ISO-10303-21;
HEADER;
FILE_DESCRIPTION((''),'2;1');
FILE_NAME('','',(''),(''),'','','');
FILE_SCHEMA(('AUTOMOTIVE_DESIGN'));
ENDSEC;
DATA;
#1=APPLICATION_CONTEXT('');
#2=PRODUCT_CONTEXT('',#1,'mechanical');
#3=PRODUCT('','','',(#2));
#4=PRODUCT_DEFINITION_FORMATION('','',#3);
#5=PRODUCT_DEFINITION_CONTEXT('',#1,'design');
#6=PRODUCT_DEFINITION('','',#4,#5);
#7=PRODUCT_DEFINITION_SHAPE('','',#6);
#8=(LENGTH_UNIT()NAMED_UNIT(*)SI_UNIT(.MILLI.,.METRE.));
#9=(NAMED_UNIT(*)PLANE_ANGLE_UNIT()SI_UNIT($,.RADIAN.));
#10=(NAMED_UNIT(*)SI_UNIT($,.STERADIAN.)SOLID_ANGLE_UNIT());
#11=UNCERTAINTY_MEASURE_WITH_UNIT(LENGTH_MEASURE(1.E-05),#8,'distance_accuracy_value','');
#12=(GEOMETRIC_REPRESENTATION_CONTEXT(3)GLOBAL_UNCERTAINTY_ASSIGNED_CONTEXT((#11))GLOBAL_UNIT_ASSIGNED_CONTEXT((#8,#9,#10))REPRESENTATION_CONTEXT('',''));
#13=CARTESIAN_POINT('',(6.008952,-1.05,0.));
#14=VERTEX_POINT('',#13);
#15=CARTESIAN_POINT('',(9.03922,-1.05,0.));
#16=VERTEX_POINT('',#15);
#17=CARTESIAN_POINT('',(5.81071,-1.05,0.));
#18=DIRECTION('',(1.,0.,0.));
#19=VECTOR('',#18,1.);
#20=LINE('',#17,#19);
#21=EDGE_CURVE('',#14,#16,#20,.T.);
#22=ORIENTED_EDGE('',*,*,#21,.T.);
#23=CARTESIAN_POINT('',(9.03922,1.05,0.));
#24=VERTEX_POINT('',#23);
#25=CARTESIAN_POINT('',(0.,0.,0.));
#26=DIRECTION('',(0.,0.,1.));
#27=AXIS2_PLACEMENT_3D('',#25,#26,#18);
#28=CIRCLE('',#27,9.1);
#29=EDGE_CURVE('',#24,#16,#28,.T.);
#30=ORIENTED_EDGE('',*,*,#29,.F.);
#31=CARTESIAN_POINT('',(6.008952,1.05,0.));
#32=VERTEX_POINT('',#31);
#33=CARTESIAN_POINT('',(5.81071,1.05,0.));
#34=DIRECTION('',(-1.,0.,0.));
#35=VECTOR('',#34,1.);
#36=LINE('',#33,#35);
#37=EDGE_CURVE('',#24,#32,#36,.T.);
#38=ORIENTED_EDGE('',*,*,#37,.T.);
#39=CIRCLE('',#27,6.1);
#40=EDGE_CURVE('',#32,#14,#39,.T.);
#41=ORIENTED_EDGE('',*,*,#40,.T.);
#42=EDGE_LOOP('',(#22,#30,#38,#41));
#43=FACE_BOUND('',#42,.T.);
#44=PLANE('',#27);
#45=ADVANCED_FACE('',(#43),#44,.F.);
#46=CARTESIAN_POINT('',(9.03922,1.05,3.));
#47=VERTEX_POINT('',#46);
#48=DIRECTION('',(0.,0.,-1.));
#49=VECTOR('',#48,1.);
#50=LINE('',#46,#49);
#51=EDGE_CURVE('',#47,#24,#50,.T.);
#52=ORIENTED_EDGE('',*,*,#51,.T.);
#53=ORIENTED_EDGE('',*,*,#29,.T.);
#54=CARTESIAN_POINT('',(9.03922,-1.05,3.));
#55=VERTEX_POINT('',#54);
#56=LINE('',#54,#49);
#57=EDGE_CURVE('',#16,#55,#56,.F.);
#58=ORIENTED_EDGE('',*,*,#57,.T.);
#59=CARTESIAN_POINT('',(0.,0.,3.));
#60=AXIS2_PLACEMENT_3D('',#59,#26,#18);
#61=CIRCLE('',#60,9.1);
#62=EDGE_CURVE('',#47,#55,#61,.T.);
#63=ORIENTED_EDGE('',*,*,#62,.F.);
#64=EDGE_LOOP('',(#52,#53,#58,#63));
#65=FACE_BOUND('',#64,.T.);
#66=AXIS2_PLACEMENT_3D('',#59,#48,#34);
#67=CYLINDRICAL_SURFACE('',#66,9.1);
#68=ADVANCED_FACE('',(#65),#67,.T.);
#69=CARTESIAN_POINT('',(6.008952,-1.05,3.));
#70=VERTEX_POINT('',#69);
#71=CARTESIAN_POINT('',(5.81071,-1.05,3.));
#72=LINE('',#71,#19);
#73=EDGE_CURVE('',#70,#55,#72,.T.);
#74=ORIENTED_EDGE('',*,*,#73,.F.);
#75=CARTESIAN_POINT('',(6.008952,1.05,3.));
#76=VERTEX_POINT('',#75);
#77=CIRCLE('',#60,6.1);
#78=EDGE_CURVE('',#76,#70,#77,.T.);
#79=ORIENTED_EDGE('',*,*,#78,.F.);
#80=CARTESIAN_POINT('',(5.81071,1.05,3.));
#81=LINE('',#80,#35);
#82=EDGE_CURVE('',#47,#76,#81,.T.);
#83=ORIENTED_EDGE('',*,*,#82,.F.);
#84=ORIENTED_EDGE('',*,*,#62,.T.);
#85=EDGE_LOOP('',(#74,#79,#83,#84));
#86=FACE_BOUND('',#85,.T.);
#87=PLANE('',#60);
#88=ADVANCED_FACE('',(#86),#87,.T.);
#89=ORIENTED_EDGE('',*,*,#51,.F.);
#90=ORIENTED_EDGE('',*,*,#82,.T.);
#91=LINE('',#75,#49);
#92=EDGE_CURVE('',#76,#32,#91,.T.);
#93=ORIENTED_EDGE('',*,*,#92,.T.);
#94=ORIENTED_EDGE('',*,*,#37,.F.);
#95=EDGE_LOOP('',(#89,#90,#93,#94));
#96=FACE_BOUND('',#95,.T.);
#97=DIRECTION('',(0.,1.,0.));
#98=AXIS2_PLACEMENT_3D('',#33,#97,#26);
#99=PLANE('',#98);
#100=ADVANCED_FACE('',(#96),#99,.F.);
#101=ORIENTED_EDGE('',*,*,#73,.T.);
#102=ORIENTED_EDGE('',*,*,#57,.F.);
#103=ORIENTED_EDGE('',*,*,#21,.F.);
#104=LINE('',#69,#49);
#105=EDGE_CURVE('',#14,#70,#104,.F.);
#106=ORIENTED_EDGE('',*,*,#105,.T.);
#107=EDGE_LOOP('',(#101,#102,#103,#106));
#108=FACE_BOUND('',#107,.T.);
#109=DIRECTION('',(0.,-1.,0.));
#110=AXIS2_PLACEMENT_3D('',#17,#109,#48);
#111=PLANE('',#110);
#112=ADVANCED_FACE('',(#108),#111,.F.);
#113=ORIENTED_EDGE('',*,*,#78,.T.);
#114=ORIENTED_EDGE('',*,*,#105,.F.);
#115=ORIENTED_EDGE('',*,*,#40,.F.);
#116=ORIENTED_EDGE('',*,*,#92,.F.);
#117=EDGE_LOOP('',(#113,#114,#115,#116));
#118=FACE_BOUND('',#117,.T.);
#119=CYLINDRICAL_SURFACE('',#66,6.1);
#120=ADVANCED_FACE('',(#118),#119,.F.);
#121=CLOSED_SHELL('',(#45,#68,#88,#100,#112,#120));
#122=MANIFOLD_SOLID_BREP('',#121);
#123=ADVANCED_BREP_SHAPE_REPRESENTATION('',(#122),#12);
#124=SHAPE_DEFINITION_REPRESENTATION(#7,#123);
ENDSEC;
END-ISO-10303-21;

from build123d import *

# Parameters (mm, degrees)
SKETCH_1_R          = 9.1
SKETCH_1_R_2        = 6.1
EXTRUDE_1_DEPTH     = 3
SKETCH_2_W          = 3.469576293
SKETCH_2_H          = 2.1
CUT_EXTRUDE_1_DEPTH = 14.2143861


with BuildPart() as part:
    # Эскиз1 → Вытянуть1 (new body)
    with BuildSketch(Plane.XY):
        Circle(SKETCH_1_R)
        Circle(SKETCH_1_R_2, mode=Mode.SUBTRACT)
    extrude(amount=EXTRUDE_1_DEPTH)

    # Эскиз2 → Вырез-Вытянуть1 (cut, through all)
    with BuildSketch(Plane.XY.offset(3)):
        with Locations((7.545498589, 0)):
            Rectangle(SKETCH_2_W, SKETCH_2_H)
    extrude(amount=-CUT_EXTRUDE_1_DEPTH, mode=Mode.SUBTRACT)


solid = part.part
